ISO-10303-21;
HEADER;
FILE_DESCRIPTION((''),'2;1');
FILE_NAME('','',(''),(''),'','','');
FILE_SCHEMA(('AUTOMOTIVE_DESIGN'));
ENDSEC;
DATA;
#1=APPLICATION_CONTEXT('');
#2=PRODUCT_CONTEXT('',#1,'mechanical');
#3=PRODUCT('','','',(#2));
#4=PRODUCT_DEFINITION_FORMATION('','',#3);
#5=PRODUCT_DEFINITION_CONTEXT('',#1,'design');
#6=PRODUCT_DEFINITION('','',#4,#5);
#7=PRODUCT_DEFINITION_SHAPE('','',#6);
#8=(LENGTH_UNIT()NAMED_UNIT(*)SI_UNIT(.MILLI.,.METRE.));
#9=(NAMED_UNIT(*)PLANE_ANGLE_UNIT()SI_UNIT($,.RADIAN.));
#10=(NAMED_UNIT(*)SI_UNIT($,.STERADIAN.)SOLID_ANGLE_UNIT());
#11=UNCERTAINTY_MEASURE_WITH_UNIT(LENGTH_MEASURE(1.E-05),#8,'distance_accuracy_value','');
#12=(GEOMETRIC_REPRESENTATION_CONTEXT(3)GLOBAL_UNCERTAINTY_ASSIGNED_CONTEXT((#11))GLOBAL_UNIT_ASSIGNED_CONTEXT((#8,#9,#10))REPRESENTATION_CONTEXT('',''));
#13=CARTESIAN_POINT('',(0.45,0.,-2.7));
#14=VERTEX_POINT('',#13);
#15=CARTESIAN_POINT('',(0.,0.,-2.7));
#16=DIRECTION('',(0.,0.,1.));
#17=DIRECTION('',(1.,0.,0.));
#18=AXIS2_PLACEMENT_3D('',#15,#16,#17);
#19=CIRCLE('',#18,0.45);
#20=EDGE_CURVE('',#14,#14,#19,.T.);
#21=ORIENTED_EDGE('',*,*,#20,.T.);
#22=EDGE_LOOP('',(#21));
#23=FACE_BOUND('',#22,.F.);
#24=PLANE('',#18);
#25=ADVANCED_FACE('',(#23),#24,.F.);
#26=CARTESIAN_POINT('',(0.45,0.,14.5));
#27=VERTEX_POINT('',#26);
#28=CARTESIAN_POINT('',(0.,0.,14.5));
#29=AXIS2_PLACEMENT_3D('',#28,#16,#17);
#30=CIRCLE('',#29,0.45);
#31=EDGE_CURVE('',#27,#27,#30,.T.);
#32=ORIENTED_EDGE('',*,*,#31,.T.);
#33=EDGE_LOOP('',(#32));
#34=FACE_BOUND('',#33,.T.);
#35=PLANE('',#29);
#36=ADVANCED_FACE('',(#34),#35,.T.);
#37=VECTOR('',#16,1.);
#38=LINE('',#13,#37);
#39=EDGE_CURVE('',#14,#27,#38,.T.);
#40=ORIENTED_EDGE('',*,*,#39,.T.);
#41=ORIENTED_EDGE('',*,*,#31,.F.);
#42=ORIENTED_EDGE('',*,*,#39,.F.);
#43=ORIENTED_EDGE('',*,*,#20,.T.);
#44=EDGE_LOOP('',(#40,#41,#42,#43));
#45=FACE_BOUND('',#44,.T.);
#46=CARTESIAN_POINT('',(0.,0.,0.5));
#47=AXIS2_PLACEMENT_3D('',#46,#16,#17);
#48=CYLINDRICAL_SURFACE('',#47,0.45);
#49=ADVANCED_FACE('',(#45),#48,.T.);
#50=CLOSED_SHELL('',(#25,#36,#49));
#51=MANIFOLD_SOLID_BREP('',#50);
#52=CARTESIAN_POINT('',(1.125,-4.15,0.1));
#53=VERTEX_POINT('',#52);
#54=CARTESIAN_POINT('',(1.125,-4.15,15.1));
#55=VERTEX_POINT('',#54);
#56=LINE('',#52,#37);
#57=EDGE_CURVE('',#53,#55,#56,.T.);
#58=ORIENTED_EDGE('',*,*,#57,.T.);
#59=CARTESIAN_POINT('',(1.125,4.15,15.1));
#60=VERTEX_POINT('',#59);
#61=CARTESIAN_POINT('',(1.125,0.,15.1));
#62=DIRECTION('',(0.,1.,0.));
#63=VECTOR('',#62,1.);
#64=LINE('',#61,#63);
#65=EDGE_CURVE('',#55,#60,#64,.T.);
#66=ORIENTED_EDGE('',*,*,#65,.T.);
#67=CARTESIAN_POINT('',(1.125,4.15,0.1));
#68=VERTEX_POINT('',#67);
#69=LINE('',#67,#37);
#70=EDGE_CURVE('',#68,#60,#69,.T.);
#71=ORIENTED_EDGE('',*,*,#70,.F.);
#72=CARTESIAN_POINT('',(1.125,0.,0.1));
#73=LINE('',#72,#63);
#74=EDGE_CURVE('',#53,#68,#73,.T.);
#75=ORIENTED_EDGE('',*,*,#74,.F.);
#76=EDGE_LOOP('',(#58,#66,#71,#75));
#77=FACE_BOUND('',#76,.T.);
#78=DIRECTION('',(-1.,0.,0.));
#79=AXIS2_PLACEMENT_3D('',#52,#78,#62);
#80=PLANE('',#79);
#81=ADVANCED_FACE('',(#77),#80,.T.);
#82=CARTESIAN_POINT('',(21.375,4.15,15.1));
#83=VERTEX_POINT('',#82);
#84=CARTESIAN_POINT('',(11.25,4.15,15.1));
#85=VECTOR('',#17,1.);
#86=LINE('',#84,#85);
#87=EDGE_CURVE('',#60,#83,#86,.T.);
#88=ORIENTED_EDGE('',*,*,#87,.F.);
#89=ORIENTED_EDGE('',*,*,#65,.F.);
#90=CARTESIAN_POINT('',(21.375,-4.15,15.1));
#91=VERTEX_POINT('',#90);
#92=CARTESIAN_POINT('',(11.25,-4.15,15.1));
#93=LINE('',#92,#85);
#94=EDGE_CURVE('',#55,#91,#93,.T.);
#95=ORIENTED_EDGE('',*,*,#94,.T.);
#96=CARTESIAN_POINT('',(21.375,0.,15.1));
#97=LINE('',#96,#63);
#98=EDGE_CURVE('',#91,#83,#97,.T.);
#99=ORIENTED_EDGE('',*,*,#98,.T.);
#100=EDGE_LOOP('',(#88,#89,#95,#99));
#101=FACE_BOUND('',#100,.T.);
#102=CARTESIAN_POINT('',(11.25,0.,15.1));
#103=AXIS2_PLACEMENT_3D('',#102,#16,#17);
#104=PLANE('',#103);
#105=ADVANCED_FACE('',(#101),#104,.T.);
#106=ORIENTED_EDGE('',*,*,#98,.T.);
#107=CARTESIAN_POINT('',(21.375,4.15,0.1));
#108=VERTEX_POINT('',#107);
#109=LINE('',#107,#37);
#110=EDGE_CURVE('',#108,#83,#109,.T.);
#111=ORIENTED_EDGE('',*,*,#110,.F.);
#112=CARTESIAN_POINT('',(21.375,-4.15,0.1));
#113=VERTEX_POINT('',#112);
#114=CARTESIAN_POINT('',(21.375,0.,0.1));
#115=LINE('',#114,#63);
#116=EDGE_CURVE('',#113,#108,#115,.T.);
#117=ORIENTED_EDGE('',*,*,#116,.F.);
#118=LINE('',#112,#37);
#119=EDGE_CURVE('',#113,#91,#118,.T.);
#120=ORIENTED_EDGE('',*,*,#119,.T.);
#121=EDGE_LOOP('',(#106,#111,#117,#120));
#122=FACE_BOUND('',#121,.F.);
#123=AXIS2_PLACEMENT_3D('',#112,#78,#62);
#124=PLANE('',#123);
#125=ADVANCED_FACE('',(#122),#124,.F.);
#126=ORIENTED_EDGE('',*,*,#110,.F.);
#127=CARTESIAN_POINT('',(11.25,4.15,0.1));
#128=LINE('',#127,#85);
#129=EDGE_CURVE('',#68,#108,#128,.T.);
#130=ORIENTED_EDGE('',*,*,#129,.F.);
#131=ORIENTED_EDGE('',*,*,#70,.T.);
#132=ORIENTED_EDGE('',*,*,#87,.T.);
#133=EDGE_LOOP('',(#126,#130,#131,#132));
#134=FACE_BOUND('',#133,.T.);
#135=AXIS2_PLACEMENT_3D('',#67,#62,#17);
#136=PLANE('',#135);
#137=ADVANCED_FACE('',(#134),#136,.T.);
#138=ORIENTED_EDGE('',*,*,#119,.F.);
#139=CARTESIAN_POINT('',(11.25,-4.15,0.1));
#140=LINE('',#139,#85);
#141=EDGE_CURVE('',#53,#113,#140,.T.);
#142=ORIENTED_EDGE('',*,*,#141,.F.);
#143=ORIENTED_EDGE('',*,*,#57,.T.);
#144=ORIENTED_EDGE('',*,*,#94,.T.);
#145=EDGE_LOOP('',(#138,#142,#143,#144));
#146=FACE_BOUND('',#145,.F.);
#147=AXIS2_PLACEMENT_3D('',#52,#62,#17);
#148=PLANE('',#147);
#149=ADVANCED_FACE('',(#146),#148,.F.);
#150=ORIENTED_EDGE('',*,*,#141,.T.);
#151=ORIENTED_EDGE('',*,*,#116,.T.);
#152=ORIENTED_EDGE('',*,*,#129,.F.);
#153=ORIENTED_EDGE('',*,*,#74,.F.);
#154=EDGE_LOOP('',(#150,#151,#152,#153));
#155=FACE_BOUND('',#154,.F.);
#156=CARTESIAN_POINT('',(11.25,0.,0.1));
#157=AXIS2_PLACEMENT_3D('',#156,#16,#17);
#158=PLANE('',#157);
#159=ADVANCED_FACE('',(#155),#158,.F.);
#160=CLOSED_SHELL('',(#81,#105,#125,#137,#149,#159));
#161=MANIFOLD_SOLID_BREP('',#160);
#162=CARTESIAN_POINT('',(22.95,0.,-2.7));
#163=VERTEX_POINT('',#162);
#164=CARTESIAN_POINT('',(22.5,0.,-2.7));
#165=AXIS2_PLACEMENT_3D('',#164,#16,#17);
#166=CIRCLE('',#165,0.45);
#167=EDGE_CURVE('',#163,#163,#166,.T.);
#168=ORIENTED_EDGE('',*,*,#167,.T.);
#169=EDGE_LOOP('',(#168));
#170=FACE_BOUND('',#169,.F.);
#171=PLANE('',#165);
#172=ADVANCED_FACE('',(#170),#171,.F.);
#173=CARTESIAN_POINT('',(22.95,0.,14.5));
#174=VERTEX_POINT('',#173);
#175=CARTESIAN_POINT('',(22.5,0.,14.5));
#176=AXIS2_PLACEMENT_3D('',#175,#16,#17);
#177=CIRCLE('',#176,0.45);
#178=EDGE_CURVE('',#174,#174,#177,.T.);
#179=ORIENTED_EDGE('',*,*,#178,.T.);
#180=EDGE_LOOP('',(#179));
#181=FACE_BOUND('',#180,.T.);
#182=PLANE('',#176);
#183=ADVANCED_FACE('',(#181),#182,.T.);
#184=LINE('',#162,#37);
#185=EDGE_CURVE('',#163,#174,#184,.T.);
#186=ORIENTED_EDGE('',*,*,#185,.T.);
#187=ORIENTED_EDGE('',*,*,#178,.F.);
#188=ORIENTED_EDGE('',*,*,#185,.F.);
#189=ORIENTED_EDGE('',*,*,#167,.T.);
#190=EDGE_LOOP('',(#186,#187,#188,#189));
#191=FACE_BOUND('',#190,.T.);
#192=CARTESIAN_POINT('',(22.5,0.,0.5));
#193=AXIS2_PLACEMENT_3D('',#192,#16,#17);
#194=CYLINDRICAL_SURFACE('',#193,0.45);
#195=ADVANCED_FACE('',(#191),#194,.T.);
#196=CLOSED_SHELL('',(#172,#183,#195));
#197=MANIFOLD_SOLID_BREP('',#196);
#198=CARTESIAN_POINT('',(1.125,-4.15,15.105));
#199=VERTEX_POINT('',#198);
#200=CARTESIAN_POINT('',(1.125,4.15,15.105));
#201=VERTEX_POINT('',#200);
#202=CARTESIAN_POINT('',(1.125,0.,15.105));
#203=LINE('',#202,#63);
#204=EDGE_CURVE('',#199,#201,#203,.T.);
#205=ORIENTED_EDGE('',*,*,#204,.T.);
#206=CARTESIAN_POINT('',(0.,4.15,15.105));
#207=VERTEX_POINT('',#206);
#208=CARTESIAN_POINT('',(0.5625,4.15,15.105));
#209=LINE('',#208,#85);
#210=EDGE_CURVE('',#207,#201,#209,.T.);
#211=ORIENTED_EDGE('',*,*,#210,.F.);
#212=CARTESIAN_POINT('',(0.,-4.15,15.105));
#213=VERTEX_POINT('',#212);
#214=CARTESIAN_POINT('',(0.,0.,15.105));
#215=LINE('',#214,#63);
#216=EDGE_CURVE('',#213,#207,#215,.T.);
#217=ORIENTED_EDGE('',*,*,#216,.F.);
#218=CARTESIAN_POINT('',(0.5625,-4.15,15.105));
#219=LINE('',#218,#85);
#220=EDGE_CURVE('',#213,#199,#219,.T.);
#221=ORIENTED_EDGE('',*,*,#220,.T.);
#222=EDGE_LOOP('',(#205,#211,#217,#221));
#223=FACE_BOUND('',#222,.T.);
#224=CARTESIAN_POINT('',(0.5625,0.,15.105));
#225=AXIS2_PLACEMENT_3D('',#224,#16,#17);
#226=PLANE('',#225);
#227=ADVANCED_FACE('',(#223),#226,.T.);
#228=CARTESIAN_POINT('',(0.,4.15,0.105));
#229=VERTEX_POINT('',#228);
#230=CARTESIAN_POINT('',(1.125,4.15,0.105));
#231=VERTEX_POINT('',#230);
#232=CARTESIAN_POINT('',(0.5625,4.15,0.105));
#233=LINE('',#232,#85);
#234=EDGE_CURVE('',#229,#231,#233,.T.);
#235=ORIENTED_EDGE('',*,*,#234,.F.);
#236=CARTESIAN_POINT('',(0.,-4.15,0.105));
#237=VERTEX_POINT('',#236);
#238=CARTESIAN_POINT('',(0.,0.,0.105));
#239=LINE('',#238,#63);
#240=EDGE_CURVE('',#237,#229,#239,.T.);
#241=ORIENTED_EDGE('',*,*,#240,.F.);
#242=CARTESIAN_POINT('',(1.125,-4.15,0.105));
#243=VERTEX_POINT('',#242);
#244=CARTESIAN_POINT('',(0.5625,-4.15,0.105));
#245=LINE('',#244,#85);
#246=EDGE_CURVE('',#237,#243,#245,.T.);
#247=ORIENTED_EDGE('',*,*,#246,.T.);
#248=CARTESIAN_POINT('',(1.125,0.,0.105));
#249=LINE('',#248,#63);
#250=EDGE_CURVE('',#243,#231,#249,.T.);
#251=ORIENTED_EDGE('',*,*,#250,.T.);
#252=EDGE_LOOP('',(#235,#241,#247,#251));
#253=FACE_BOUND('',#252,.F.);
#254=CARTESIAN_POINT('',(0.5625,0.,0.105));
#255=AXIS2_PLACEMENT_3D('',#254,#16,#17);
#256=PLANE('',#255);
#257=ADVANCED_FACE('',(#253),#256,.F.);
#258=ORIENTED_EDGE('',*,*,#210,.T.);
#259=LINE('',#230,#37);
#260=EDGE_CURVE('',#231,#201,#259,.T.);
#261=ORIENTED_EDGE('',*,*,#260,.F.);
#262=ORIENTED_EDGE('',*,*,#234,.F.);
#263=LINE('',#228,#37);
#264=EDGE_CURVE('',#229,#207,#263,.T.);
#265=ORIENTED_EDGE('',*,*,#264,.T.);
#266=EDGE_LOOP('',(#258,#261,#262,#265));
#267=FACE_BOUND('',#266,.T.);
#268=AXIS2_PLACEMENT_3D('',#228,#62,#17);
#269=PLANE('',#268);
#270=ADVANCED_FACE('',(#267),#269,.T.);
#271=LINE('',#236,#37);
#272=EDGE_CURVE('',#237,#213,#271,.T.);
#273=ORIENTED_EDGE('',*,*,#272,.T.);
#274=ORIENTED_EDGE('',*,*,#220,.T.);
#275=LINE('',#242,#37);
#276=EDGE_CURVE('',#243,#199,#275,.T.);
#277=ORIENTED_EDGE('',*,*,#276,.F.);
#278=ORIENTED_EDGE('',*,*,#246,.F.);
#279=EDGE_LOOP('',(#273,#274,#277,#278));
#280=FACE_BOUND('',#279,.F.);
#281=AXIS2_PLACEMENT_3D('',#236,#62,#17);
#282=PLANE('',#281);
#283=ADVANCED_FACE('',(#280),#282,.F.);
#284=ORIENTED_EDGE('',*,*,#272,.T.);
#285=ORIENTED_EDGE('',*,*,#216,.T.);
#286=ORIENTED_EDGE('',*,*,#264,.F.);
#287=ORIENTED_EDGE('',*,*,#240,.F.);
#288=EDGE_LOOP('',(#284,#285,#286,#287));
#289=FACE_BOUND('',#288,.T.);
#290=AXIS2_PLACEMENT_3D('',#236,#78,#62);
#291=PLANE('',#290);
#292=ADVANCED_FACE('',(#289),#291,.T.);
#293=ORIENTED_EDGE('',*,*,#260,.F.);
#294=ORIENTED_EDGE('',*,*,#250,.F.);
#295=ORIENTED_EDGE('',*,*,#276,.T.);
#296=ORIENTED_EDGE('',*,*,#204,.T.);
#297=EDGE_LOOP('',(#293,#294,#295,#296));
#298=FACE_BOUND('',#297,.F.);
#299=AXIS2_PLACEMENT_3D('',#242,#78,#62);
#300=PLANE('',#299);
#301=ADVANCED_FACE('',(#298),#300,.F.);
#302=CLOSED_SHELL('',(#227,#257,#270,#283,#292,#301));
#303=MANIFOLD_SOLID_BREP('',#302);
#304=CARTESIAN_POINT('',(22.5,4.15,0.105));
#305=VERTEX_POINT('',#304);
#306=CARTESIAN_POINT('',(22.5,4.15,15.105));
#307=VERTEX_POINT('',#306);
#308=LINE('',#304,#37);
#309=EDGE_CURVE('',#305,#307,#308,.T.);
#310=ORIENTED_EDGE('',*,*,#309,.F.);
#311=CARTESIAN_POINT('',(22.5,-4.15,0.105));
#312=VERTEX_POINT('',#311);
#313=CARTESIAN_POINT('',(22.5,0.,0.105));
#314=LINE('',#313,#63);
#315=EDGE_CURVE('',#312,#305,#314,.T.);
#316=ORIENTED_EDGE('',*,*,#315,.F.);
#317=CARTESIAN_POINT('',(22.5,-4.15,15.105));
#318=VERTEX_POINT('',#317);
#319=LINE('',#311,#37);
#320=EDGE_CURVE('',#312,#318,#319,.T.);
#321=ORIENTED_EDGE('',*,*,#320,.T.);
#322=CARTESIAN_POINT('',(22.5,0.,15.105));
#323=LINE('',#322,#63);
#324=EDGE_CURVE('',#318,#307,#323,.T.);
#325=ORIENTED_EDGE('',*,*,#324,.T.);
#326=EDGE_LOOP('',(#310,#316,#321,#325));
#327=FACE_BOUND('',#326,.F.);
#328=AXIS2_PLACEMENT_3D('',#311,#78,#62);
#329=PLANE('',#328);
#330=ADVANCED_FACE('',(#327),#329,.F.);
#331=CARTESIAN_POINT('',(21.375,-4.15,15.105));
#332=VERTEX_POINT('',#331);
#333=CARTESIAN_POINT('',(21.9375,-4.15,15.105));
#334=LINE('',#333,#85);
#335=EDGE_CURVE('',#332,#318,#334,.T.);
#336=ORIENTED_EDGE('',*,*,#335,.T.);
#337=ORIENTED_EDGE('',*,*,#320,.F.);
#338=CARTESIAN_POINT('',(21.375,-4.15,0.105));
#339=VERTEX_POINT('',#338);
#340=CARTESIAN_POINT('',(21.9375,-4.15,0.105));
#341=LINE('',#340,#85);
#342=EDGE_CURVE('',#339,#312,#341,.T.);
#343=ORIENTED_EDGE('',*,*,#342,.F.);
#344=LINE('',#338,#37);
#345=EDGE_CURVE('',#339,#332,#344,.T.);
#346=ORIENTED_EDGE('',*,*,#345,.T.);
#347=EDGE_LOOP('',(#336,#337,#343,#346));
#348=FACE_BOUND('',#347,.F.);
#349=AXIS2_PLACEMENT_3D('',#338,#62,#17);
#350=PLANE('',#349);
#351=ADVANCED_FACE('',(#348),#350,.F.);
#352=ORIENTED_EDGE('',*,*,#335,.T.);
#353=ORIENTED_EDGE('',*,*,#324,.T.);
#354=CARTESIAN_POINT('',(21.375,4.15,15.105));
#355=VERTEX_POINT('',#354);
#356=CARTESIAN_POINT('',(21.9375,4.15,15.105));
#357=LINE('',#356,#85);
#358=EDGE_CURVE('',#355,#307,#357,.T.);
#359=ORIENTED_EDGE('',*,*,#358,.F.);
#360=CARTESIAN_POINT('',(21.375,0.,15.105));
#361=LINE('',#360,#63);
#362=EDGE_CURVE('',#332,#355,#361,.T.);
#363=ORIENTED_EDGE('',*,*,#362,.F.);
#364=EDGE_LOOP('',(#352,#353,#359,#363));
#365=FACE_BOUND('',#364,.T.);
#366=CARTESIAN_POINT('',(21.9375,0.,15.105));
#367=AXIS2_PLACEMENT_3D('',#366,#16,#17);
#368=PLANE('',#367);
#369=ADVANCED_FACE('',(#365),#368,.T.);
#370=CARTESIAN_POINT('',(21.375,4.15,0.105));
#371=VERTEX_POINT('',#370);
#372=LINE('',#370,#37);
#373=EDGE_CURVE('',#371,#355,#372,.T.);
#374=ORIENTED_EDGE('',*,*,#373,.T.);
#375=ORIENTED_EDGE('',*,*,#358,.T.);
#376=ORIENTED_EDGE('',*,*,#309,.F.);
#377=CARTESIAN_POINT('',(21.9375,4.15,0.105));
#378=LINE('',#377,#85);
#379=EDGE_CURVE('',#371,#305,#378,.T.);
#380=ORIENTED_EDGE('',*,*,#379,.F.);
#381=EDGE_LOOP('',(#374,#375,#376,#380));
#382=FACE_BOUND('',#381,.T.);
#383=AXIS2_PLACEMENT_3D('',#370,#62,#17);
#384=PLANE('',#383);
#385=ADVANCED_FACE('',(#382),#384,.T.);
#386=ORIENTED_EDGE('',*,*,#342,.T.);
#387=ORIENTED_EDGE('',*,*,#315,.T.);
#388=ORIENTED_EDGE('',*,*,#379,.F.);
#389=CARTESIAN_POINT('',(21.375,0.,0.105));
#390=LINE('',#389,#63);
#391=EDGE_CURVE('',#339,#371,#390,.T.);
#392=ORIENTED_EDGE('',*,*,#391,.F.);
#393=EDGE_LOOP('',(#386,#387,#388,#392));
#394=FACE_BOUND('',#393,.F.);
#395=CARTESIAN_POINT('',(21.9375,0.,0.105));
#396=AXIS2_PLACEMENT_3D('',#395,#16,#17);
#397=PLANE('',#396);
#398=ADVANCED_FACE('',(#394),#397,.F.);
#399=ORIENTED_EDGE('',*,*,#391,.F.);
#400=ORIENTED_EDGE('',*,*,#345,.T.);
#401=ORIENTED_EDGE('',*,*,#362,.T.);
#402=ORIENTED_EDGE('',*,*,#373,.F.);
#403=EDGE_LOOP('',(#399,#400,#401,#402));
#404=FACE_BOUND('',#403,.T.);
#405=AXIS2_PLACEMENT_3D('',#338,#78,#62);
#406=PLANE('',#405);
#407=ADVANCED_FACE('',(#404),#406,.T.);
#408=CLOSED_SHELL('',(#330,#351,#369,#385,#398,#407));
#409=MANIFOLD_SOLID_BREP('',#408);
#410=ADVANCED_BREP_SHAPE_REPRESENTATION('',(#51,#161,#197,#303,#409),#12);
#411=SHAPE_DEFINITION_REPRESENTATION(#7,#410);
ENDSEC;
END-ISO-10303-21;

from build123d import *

# Parameters (mm, degrees)
SKETCH_W          = 20.25
SKETCH_H          = 8.3
PAD_DEPTH         = 15
SKETCH001_R       = 0.45
PAD001_DEPTH      = 14
PAD001_DEPTH_BACK = 3.2
SKETCH002_W       = 1.125
SKETCH002_H       = 8.3
PAD002_DEPTH      = 15


with BuildPart() as pad:
    # Sketch → Pad (new body)
    with BuildSketch(Plane.XY.offset(0.1)):
        with Locations((11.25, 0)):
            Rectangle(SKETCH_W, SKETCH_H)
    extrude(amount=PAD_DEPTH)


with BuildPart() as pad001:
    # Sketch001 → Pad001 (new body, two sides)
    with BuildSketch(Plane.XY.offset(0.5)) as pad001_sk:
        Circle(SKETCH001_R)
        with Locations((22.5, 0)):
            Circle(SKETCH001_R)
    extrude(amount=PAD001_DEPTH)
    extrude(pad001_sk.sketch, amount=-PAD001_DEPTH_BACK)


with BuildPart() as pad002:
    # Sketch002 → Pad002 (new body)
    with BuildSketch(Plane.XY.offset(0.105)):
        with Locations((0.5625, 0)):
            Rectangle(SKETCH002_W, SKETCH002_H)
        with Locations((21.9375, 0)):
            Rectangle(SKETCH002_W, SKETCH002_H)
    extrude(amount=PAD002_DEPTH)


solid = Compound([pad.part, pad001.part, pad002.part])
